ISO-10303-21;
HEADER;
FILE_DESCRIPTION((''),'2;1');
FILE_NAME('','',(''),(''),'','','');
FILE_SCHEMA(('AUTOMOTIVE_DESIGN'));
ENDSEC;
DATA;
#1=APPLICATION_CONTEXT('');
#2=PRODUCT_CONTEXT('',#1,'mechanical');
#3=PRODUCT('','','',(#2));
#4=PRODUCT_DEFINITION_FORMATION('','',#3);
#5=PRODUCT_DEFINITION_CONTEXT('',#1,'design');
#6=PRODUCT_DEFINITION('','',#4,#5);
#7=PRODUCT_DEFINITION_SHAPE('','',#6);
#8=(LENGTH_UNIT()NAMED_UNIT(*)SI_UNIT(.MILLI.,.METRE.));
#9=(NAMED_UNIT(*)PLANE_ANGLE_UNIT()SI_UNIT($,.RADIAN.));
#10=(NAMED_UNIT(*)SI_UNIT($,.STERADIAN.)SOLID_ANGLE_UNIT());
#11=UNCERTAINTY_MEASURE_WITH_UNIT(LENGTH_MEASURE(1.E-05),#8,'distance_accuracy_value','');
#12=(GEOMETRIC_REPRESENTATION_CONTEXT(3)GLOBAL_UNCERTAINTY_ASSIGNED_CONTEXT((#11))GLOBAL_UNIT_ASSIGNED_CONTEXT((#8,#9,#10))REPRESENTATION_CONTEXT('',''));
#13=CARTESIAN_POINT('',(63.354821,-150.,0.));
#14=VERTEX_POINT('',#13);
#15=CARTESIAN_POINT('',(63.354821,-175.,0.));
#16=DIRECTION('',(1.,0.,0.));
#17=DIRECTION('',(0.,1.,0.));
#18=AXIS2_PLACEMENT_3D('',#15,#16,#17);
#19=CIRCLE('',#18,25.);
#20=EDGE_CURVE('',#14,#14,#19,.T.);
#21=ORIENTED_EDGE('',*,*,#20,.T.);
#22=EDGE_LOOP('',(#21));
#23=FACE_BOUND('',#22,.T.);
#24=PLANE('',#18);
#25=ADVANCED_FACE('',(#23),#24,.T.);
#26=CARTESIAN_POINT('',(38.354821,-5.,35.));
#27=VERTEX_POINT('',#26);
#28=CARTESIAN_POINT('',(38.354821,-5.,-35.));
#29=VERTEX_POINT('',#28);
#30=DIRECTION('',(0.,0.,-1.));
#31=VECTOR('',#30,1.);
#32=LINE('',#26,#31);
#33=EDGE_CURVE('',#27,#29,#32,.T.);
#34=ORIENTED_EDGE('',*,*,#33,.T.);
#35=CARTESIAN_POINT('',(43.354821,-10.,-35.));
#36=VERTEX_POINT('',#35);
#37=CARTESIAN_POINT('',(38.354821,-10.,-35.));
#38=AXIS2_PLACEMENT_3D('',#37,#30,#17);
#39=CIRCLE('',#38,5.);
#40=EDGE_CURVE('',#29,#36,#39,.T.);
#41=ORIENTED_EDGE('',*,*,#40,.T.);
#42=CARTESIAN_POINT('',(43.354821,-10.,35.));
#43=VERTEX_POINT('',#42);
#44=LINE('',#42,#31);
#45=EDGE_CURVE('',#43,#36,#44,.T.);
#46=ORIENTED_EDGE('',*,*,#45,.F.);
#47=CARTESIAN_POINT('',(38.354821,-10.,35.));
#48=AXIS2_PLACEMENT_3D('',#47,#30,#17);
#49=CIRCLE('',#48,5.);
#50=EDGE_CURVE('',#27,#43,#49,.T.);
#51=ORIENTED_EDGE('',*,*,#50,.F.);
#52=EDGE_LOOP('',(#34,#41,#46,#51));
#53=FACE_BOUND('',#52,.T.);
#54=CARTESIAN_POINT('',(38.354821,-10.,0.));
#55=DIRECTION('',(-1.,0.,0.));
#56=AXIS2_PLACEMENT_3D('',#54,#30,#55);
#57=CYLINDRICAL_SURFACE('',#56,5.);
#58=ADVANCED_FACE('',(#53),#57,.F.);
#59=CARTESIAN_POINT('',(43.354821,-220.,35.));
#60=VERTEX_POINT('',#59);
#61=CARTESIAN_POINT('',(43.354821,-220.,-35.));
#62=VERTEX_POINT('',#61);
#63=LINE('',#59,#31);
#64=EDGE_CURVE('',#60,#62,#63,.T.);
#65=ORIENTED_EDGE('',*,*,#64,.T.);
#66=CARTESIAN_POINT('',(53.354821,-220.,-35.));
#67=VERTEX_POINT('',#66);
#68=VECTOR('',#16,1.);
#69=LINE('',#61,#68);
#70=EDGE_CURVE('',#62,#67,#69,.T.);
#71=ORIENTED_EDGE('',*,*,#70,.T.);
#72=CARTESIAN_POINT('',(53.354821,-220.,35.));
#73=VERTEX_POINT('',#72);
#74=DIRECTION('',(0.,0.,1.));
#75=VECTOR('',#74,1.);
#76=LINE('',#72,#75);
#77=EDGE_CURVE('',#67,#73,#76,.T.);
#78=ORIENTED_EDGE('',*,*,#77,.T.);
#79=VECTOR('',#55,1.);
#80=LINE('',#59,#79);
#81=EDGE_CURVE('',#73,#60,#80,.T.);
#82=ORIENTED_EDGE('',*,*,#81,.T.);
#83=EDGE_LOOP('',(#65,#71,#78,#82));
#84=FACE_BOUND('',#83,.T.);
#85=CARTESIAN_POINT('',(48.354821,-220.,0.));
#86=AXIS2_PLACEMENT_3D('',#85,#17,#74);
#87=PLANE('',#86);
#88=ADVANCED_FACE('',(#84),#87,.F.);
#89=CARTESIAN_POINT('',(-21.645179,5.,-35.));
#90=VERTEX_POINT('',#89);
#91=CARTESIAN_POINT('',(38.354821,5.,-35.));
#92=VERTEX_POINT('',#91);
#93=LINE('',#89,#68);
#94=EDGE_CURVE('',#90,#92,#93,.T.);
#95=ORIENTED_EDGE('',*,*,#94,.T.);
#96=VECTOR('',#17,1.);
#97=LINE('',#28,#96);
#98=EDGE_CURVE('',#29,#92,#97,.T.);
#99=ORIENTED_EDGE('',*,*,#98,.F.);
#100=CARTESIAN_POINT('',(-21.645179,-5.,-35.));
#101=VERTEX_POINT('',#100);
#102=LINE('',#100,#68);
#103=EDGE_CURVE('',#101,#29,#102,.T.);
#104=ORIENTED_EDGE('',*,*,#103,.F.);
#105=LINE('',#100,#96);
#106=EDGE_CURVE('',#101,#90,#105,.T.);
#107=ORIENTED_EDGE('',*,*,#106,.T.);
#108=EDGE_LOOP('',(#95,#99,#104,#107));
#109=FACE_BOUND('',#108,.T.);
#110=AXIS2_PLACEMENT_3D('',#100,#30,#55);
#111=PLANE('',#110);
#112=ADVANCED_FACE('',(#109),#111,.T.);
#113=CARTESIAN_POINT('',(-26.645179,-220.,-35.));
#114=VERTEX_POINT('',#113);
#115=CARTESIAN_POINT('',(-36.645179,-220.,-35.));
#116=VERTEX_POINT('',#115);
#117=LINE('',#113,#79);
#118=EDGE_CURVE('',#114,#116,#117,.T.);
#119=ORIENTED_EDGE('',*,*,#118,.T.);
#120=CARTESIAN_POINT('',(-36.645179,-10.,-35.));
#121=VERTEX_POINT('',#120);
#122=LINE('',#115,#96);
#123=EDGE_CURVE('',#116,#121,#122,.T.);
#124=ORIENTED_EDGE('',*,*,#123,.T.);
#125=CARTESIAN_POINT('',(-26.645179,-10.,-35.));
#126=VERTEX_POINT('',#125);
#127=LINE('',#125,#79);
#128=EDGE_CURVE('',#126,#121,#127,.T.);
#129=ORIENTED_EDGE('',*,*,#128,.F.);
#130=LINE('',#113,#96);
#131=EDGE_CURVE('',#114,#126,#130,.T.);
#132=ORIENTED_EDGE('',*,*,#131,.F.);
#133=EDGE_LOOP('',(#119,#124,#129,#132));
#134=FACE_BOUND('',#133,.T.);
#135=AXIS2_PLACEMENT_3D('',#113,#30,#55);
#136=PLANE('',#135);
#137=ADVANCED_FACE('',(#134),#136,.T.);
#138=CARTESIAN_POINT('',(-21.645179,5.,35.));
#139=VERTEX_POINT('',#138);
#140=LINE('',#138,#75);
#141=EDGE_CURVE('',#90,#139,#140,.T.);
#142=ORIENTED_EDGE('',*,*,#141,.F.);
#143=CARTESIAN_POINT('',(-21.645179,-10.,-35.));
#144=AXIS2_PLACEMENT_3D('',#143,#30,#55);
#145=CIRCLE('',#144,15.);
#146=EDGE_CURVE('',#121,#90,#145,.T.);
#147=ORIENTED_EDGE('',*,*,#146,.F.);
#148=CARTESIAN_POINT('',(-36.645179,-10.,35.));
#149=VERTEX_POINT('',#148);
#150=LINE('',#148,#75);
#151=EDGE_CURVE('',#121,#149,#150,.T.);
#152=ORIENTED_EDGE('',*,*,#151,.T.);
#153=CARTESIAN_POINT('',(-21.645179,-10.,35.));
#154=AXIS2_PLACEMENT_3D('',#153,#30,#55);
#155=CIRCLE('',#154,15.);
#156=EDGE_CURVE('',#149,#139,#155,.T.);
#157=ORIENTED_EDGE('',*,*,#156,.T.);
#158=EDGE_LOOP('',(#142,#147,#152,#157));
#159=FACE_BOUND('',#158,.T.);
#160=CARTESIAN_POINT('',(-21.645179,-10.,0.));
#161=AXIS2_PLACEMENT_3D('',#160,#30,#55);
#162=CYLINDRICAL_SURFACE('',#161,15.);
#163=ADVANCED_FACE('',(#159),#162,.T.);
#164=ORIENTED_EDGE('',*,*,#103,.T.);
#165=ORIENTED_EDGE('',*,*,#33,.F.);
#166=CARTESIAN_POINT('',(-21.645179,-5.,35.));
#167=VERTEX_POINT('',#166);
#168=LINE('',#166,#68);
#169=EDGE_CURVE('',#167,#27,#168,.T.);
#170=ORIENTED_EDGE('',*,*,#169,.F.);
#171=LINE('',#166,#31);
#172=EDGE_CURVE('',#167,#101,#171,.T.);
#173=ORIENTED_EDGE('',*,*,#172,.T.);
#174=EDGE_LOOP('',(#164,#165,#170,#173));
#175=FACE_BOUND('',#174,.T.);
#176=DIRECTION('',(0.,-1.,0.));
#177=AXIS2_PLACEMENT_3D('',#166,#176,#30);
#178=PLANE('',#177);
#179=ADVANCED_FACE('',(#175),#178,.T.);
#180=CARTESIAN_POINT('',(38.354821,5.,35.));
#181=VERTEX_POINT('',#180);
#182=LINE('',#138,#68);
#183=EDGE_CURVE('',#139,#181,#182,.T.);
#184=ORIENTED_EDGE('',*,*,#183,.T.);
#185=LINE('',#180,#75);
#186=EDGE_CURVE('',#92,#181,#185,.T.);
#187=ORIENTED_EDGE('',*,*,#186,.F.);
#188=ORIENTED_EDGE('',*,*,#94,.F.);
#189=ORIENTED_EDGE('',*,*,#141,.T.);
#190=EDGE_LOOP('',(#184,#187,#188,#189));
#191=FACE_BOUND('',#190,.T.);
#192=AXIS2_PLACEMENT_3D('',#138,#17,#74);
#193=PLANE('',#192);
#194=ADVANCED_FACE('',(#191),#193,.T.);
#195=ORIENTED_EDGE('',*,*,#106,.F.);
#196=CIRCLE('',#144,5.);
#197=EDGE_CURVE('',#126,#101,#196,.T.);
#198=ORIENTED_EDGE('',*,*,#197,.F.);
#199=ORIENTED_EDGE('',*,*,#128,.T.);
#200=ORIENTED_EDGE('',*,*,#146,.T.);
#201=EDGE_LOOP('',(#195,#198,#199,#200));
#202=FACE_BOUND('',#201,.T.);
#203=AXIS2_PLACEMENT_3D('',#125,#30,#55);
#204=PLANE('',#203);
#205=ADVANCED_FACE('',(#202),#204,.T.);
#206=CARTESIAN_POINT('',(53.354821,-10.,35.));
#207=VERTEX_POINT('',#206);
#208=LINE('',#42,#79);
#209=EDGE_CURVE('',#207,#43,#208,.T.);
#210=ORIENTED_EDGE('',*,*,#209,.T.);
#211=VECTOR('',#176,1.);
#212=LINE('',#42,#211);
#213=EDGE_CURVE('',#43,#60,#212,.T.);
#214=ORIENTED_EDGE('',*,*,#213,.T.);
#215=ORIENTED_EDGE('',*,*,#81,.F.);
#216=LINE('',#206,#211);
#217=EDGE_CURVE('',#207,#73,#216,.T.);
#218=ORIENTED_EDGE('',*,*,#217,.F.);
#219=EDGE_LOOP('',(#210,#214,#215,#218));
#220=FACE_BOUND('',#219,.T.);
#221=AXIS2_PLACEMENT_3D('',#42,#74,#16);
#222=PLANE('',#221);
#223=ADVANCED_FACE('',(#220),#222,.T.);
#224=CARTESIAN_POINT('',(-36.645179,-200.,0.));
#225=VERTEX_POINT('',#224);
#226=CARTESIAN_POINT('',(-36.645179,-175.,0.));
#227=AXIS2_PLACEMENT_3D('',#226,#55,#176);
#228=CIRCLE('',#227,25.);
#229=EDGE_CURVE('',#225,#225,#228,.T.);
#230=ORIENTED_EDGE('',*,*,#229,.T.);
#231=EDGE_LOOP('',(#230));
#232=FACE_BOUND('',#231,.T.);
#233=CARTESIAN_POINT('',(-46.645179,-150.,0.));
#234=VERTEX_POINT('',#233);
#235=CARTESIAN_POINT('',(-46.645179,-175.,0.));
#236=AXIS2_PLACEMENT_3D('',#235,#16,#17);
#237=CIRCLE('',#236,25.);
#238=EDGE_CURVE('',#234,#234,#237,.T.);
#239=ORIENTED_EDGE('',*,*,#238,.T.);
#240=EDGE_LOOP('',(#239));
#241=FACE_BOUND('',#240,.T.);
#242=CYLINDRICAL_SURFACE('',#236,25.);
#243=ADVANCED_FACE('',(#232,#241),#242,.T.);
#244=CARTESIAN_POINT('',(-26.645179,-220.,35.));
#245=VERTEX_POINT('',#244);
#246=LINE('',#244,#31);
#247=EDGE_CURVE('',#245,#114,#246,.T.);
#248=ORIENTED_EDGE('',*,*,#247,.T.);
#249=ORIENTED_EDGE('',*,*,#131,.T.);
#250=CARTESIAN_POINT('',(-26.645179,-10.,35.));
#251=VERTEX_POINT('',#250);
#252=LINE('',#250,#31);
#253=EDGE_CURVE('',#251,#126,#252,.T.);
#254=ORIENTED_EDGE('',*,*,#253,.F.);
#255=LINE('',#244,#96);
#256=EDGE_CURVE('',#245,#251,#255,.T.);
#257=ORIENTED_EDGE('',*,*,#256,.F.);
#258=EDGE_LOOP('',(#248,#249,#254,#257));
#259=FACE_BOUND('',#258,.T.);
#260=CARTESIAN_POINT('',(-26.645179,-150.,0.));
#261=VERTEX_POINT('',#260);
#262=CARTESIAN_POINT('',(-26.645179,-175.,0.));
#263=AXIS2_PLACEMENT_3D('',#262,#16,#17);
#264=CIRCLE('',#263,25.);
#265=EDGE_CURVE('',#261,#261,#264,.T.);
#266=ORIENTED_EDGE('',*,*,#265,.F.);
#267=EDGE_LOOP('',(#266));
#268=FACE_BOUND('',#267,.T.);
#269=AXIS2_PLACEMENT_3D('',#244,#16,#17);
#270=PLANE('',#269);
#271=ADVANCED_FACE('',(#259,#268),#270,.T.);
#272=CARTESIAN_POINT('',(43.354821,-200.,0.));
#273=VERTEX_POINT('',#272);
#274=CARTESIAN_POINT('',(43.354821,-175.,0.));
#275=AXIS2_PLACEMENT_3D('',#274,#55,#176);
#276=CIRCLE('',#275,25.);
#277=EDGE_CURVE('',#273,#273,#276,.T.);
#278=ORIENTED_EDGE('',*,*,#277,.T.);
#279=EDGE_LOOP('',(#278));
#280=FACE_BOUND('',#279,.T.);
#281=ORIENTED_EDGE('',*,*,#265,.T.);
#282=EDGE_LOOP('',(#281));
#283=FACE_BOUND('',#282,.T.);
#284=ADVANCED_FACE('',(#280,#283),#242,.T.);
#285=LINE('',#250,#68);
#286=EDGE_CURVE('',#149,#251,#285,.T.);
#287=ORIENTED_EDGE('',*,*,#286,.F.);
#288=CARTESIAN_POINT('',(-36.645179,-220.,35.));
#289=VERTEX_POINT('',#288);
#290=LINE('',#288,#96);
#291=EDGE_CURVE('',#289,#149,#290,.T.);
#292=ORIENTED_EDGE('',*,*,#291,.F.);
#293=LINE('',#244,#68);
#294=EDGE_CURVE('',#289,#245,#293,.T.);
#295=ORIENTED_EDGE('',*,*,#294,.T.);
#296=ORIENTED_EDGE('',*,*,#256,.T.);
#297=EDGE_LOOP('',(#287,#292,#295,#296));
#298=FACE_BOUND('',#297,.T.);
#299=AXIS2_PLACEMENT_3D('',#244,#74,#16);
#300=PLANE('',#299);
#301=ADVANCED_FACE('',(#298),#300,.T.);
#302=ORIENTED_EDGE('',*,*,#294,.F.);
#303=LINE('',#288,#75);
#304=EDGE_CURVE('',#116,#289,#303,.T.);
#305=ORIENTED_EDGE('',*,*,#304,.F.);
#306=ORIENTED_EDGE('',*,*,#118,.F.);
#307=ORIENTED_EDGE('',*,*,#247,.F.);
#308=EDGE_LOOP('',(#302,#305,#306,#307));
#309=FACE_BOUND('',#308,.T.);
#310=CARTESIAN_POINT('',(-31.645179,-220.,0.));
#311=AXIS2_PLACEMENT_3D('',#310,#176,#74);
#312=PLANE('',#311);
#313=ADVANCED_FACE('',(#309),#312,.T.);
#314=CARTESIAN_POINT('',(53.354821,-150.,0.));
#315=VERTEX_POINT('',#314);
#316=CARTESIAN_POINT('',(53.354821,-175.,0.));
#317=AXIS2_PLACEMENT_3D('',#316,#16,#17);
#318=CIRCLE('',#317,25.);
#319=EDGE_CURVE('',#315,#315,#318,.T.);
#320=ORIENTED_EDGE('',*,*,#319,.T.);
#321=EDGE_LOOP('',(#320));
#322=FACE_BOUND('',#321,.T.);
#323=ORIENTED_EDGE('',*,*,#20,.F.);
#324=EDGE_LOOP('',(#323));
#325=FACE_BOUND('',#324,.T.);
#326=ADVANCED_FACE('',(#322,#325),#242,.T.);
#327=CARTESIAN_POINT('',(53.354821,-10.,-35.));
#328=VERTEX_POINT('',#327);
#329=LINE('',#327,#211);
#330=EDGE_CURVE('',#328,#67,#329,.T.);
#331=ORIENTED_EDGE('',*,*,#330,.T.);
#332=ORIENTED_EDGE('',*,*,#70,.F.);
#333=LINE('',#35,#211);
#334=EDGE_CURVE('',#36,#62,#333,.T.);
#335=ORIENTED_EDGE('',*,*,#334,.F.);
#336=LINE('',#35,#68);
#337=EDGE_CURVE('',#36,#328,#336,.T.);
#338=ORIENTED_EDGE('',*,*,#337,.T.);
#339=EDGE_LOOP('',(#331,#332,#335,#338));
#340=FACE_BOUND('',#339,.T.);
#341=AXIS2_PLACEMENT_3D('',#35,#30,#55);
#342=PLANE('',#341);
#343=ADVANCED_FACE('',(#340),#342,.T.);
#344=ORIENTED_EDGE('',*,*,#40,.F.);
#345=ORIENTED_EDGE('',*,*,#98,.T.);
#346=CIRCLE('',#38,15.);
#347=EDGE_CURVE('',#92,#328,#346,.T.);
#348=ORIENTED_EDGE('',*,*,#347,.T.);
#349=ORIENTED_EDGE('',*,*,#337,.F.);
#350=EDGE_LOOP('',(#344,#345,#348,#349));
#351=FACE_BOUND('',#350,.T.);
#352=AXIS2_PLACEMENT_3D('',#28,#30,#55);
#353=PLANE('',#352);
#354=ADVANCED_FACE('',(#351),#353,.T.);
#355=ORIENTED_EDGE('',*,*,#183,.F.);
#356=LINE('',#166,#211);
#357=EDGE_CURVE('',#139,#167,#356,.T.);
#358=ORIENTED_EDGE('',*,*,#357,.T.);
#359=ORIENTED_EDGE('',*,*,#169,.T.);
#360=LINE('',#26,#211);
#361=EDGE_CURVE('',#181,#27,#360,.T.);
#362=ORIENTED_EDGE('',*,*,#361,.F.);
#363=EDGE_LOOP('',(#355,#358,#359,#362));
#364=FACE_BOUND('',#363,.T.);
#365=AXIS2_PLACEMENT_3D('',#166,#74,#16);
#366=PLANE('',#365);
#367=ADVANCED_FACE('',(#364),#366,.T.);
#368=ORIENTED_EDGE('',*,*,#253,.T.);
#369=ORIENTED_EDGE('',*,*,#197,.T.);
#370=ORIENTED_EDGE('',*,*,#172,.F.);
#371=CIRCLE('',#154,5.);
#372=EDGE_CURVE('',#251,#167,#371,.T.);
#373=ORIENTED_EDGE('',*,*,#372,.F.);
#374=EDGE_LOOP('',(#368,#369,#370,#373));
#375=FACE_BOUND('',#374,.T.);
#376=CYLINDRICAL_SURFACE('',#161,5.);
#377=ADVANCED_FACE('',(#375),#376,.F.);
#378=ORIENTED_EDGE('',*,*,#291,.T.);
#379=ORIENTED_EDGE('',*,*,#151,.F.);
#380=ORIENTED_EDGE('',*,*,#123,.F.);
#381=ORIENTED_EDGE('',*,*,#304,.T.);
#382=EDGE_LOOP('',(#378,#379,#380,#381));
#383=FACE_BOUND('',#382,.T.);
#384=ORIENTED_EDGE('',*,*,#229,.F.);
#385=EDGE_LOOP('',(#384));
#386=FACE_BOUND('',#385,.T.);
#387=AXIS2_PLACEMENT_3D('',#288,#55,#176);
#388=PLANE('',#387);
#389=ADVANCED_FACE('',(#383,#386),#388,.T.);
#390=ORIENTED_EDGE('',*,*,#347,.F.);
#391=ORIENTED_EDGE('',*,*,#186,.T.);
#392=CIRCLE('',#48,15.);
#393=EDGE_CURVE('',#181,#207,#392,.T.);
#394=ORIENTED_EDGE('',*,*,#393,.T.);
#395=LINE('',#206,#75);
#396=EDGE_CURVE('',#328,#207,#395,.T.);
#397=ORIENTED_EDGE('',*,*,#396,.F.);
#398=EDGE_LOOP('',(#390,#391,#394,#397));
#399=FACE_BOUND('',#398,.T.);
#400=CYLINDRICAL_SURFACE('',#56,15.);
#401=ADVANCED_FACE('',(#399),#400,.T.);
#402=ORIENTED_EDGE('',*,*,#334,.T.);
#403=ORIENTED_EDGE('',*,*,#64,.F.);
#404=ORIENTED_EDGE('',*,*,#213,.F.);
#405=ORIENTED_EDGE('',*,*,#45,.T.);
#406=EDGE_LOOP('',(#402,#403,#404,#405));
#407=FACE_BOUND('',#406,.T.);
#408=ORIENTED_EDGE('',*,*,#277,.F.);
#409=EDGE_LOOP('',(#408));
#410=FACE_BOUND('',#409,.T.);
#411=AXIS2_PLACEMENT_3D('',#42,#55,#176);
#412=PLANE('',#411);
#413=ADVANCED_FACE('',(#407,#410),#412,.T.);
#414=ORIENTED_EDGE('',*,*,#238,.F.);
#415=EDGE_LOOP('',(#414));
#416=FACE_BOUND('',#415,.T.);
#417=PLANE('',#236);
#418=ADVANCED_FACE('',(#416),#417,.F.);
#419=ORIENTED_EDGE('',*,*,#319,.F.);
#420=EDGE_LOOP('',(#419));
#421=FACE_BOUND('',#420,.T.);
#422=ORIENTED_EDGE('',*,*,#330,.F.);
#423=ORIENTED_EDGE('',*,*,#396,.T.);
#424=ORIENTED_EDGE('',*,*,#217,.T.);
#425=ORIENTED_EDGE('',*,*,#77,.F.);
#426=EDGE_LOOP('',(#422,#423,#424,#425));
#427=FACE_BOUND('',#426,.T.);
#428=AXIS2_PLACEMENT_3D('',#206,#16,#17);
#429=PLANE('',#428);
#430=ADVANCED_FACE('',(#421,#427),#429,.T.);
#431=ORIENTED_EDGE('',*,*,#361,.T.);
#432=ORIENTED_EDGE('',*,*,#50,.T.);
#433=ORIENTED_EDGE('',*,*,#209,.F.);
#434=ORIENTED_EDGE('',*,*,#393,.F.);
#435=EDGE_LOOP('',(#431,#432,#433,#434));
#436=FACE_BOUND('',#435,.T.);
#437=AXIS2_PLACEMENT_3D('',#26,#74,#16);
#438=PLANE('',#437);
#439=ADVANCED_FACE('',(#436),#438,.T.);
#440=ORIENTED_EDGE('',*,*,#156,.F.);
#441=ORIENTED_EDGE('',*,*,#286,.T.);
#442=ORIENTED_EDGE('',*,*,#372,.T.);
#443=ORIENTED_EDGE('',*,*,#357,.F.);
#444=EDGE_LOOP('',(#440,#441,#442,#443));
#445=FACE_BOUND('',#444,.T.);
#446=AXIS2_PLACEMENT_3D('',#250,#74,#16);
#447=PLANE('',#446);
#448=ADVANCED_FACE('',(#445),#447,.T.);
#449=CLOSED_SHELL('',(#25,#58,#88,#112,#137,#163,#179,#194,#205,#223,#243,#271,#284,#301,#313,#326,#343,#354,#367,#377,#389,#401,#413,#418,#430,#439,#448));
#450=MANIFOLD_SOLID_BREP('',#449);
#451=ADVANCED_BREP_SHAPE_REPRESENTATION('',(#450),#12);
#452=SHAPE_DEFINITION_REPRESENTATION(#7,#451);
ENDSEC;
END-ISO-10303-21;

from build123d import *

# Parameters (mm, degrees)
SKETCH2_W                = 70
SKETCH2_H                = 10
SKETCH3_R                = 25
CUT_EXTRUDE1_DEPTH       = 91
SKETCH4_R                = 25
BOSS_EXTRUDE1_DEPTH      = 10
BOSS_EXTRUDE1_DEPTH_BACK = 100


with BuildPart() as part:
    # Sweep1: sweep along a path in Sketch1
    with BuildLine(Plane.XY) as sweep1_path:
        Line((48.354821102, -220), (48.354821102, -10))
        ThreePointArc((48.354821102, -10), (45.425888913, -2.928932188), (38.354821102, 0))
        Line((38.354821102, 0), (-21.645178898, 0))
        ThreePointArc((-21.645178898, 0), (-28.71624671, -2.928932188), (-31.645178898, -10))
        Line((-31.645178898, -10), (-31.645178898, -220))
    # Sketch2 → Sweep1 (sweep)
    with BuildSketch(Plane(origin=(0, 0, 0), x_dir=(0, 0, -1), z_dir=(1, 0, 0))):
        Rectangle(SKETCH2_W, SKETCH2_H)
    sweep(path=sweep1_path.line)

    # Sketch3 → Cut-Extrude1 (cut, through all)
    with BuildSketch(Plane(origin=(53.354821102, 0, 0), x_dir=(0, 0, -1), z_dir=(1, 0, 0))):
        with Locations((0, -175)):
            Circle(SKETCH3_R)
    extrude(amount=-CUT_EXTRUDE1_DEPTH, mode=Mode.SUBTRACT)

    # Sketch4 → Boss-Extrude1 (add, two sides)
    with BuildSketch(Plane(origin=(53.354821102, 0, 0), x_dir=(0, 0, -1), z_dir=(1, 0, 0))) as boss_extrude1_sk:
        with Locations((0, -175)):
            Circle(SKETCH4_R)
    extrude(amount=BOSS_EXTRUDE1_DEPTH)
    extrude(boss_extrude1_sk.sketch, amount=-BOSS_EXTRUDE1_DEPTH_BACK)


solid = part.part
